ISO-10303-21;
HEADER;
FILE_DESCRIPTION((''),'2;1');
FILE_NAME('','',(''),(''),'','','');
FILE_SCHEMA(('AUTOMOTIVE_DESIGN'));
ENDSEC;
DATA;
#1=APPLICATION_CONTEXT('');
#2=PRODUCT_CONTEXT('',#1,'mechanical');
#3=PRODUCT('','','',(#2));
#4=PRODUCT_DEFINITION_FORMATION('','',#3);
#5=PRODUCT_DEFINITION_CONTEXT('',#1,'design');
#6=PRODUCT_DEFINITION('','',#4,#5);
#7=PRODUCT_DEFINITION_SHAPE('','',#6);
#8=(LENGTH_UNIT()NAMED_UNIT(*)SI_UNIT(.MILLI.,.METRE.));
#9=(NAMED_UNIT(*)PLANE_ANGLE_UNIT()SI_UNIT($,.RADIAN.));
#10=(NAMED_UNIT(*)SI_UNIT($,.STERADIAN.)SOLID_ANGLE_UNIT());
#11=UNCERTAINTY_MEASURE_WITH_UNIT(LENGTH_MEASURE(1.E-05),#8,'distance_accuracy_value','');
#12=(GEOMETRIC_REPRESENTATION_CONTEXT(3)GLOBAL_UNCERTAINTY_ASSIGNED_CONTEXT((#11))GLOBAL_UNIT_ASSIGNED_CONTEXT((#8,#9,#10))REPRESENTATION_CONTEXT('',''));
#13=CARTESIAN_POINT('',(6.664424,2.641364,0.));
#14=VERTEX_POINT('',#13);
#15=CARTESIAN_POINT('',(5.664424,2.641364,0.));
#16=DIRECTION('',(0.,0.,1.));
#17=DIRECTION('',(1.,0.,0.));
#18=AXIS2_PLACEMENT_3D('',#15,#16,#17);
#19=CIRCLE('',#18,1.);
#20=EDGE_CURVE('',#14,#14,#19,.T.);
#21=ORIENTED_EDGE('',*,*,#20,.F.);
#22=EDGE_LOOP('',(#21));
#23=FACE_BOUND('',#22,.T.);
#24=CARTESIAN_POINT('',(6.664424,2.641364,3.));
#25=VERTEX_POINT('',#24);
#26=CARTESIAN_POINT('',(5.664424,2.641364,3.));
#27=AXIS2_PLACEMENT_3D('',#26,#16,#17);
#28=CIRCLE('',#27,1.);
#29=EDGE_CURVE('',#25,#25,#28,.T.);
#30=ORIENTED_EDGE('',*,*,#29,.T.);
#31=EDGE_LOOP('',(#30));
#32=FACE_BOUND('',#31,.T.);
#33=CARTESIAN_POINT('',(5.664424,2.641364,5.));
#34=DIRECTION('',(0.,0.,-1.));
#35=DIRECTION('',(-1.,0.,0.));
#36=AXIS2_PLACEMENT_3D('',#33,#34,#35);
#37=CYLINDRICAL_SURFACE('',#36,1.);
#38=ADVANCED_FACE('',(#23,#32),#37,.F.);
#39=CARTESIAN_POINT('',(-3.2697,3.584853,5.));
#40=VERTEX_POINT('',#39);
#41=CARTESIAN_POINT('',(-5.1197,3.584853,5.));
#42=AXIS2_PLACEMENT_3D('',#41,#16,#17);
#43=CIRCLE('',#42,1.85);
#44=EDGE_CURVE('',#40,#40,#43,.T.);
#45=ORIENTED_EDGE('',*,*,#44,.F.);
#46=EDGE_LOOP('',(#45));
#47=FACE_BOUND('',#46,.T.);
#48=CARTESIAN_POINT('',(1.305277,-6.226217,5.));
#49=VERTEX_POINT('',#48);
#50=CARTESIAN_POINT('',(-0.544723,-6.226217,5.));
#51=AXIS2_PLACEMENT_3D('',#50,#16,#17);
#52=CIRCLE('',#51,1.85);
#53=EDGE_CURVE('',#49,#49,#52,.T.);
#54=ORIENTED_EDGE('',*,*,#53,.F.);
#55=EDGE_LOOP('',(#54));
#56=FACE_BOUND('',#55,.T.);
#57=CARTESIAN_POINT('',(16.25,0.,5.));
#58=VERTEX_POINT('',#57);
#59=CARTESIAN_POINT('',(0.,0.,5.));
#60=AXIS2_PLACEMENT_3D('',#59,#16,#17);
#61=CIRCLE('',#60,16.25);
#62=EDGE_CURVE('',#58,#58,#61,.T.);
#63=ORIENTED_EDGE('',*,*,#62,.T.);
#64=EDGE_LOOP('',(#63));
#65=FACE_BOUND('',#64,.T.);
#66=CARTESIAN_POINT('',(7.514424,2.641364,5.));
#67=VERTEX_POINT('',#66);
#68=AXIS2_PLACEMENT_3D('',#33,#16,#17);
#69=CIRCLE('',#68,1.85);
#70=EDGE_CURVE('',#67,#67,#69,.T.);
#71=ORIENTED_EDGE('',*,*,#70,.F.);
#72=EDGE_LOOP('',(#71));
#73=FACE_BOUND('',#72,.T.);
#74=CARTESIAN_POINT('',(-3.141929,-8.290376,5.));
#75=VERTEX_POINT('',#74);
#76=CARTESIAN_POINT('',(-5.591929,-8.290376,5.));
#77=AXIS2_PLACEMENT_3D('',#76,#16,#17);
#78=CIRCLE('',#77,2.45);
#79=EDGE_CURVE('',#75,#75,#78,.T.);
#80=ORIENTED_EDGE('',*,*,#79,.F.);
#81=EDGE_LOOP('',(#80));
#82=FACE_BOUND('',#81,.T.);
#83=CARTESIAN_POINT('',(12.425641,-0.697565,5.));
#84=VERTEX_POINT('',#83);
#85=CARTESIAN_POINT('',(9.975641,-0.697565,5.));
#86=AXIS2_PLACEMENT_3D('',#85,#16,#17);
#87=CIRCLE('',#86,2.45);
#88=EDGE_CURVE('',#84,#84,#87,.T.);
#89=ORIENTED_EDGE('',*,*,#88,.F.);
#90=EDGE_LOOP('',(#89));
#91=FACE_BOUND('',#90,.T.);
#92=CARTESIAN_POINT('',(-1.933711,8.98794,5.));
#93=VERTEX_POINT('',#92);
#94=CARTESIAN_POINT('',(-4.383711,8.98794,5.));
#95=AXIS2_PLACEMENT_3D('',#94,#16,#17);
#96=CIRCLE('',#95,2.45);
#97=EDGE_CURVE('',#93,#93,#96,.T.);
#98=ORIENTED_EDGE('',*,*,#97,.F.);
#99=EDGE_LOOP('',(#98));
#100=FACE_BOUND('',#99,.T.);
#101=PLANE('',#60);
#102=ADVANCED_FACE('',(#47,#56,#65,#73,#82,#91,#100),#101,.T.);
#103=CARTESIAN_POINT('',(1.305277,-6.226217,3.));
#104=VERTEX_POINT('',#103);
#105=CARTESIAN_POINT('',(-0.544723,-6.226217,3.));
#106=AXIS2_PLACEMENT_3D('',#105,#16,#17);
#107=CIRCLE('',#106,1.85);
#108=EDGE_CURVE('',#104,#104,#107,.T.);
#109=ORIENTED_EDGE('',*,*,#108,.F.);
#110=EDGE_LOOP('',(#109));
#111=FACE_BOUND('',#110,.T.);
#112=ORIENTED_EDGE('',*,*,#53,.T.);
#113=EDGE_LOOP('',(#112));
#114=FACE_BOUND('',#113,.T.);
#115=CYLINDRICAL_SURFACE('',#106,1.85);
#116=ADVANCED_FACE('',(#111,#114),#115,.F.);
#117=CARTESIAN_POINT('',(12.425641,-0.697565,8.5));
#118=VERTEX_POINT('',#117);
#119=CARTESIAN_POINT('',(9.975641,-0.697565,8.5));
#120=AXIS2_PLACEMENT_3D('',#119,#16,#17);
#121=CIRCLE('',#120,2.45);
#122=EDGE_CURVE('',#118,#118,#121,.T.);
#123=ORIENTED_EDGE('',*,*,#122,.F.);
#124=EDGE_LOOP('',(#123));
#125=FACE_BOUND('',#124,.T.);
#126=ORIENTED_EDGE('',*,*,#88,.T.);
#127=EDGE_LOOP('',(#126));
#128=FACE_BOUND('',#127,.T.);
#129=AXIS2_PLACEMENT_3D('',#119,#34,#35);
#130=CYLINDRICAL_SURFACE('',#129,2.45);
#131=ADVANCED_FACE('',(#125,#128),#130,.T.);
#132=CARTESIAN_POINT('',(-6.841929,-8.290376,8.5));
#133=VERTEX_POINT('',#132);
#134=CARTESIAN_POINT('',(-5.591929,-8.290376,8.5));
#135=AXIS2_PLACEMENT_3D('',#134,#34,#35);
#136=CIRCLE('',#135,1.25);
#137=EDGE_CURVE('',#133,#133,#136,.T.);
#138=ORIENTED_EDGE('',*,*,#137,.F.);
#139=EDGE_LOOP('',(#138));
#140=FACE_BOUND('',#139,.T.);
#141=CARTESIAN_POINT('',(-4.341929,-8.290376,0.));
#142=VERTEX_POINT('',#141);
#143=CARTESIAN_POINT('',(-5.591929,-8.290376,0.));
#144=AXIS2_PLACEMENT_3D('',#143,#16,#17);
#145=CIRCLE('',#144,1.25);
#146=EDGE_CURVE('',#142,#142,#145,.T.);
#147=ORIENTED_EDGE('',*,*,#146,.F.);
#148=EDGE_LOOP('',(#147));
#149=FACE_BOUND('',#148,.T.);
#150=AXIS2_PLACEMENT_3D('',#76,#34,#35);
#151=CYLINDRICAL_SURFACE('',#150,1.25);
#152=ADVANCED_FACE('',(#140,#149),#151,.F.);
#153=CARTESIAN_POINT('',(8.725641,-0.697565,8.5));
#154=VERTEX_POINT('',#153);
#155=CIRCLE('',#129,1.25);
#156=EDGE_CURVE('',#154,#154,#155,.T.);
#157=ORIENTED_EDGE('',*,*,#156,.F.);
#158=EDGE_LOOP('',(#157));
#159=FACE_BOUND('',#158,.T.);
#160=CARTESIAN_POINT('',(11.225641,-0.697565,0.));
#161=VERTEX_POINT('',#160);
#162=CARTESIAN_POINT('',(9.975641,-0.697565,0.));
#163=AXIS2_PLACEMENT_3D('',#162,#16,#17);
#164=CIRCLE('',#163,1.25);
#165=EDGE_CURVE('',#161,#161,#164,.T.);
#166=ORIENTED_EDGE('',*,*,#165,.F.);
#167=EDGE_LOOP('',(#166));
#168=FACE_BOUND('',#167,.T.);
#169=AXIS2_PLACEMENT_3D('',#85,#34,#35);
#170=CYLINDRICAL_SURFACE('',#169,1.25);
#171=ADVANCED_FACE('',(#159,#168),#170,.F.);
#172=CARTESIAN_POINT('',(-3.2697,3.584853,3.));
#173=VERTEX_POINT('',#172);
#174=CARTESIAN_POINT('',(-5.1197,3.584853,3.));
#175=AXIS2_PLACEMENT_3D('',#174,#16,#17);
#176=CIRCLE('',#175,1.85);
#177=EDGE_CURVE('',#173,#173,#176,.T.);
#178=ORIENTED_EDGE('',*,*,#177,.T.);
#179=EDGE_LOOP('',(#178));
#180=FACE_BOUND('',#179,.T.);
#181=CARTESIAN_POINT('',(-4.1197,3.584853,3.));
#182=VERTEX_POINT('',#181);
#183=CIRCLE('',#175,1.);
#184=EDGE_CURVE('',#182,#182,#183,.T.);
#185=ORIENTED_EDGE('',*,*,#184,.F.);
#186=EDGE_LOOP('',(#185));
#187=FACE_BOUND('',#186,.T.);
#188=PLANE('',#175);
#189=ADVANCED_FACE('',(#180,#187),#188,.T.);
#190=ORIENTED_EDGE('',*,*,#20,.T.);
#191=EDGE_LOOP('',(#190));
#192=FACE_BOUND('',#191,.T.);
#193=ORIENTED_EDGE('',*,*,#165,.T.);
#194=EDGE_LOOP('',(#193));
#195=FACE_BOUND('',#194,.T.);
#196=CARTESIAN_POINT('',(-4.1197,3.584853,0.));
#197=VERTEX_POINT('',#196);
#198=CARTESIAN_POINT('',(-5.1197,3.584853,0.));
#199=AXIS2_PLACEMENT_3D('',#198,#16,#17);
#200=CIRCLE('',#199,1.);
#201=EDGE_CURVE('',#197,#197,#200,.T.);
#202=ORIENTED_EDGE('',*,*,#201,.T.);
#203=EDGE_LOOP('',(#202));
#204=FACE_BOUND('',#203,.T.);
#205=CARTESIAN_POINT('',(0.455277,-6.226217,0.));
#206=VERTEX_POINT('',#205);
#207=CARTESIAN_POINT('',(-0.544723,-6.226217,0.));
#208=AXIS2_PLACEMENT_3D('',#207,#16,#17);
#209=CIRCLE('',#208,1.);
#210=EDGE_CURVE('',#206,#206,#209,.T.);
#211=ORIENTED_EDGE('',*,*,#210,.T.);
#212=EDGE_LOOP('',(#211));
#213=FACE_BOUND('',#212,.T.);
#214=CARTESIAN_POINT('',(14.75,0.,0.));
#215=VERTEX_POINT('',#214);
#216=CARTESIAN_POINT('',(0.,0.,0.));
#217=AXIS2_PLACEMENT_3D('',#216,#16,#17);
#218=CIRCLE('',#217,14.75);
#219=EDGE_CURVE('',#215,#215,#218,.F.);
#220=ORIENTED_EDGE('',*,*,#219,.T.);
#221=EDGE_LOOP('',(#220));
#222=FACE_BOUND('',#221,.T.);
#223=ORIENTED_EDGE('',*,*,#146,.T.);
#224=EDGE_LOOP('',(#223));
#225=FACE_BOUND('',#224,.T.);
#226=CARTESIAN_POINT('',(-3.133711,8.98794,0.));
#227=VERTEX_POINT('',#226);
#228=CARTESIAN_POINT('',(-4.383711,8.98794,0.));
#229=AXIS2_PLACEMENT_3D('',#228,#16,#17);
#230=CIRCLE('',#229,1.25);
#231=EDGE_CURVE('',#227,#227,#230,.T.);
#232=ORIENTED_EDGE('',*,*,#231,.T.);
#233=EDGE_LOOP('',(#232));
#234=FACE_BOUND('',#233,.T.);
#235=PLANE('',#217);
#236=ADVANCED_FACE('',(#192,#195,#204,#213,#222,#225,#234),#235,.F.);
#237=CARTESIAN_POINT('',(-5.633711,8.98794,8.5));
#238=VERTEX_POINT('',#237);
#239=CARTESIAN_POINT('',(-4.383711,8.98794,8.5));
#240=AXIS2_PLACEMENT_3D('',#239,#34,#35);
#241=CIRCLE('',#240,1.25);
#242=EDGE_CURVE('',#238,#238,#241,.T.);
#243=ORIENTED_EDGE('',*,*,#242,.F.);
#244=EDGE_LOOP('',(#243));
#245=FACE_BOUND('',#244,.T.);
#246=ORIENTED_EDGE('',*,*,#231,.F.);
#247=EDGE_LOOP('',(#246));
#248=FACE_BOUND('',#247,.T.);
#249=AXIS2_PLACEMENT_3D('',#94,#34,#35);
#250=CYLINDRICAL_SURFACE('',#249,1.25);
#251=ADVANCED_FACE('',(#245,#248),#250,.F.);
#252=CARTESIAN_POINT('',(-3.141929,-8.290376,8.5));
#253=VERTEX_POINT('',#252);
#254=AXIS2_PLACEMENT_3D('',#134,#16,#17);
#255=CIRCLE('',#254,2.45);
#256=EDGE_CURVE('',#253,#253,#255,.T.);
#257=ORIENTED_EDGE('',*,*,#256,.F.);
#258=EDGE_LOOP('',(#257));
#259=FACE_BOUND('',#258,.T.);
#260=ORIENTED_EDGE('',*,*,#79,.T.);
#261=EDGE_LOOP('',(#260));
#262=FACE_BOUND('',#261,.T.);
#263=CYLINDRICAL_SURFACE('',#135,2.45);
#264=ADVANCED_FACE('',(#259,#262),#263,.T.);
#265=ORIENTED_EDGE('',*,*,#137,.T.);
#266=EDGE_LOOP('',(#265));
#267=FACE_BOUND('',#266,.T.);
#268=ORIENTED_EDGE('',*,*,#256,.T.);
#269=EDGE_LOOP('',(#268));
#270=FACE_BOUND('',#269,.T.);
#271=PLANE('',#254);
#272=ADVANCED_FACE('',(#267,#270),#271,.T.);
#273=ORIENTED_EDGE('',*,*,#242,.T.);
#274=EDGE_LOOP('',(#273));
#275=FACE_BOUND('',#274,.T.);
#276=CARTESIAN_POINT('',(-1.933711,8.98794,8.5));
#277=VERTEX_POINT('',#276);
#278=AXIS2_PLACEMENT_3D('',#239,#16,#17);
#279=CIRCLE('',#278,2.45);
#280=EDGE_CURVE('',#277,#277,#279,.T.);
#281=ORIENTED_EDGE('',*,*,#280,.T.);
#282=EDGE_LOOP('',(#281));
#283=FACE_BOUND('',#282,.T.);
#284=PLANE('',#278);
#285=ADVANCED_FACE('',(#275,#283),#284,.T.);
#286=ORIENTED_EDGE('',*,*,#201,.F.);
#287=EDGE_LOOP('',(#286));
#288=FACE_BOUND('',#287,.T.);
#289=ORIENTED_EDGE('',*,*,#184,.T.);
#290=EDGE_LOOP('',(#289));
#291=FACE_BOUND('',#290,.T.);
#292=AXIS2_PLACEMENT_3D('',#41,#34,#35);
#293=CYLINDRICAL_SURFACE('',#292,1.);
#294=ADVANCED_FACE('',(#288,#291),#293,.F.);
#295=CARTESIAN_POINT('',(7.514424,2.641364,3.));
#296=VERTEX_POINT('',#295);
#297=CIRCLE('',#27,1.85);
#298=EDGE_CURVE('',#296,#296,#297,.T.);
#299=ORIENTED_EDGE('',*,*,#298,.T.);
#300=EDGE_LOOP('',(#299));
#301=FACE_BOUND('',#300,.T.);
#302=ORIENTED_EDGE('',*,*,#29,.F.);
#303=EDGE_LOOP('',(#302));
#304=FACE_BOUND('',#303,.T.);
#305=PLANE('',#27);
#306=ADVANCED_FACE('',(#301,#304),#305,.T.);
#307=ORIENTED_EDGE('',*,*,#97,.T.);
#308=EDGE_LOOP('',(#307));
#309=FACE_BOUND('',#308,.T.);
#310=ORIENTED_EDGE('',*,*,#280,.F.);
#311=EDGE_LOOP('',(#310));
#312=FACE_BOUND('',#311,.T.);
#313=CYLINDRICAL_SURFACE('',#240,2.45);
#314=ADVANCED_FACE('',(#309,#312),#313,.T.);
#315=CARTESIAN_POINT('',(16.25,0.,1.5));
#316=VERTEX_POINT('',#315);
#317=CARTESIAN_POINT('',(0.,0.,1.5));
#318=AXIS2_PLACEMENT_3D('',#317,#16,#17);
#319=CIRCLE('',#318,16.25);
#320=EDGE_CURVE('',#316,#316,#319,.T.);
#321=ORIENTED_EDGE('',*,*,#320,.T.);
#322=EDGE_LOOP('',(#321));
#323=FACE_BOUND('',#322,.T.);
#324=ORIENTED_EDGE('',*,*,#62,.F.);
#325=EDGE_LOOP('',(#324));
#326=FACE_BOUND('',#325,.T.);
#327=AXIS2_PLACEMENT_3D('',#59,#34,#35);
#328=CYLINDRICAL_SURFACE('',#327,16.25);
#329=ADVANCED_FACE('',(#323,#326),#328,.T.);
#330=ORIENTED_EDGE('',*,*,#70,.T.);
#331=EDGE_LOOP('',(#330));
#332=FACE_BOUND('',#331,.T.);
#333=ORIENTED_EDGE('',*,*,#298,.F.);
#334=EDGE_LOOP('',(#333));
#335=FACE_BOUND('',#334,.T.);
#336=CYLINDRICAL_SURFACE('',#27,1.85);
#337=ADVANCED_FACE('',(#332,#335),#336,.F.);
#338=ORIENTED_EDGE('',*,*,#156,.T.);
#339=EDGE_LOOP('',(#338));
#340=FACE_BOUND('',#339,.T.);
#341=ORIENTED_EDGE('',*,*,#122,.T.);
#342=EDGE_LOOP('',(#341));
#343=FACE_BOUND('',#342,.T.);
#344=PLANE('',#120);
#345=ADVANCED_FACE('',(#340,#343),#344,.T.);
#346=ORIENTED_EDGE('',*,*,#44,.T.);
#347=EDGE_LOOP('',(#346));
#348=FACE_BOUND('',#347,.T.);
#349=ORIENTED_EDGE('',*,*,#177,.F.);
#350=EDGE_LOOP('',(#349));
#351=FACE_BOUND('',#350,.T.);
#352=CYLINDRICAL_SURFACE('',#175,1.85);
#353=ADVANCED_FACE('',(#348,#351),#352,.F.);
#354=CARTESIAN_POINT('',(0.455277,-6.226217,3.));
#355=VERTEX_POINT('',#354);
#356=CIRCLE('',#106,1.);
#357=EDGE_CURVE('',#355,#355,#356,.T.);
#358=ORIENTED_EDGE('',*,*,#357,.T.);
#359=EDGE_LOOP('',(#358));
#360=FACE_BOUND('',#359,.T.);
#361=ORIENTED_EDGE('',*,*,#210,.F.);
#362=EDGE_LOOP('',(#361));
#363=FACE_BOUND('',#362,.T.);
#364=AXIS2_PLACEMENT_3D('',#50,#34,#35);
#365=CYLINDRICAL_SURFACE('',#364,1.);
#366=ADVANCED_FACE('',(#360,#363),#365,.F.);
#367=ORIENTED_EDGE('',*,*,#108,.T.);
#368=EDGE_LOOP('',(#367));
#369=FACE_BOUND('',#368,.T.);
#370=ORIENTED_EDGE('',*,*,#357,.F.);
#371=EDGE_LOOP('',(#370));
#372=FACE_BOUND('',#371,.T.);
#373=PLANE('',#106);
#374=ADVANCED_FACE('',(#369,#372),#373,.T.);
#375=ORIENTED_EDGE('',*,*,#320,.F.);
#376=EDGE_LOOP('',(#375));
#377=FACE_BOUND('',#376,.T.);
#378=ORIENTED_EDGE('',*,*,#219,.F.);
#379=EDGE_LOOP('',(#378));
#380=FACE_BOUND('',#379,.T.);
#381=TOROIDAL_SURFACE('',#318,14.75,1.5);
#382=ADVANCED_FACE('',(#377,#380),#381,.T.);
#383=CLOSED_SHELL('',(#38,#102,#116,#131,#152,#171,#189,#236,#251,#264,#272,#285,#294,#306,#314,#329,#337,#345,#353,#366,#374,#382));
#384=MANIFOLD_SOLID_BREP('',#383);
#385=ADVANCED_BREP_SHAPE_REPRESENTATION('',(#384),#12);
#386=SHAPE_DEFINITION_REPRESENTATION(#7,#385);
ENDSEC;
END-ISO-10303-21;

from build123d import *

# Parameters (mm, degrees)
SKETCH1_R               = 16.25
SKETCH1_R_2             = 1
SKETCH1_R_3             = 1.25
BOSS_EXTRUDE1_DEPTH     = 5
FILLET1_R               = 1.5
SKETCH2_R               = 2.45
BOSS_EXTRUDE2_DEPTH     = 3.5
SKETCH4_R               = 1.25
CUT_EXTRUDE1_DEPTH      = 1
CUT_EXTRUDE1_DEPTH_BACK = 9.5
SKETCH5_R               = 1.85
CUT_EXTRUDE2_DEPTH      = 2


with BuildPart() as part:
    # Sketch1 → Boss-Extrude1 (new body)
    with BuildSketch(Plane.XY):
        Circle(SKETCH1_R)
        with Locations((-0.544723392, -6.226216863)):
            Circle(SKETCH1_R_2, mode=Mode.SUBTRACT)
        with Locations((-5.119700277, 3.584852727)):
            Circle(SKETCH1_R_2, mode=Mode.SUBTRACT)
        with Locations((5.664423669, 2.641364136)):
            Circle(SKETCH1_R_2, mode=Mode.SUBTRACT)
        with Locations((-5.591929035, -8.290375726)):
            Circle(SKETCH1_R_3, mode=Mode.SUBTRACT)
        with Locations((-4.383711468, 8.987940463)):
            Circle(SKETCH1_R_3, mode=Mode.SUBTRACT)
        with Locations((9.975640503, -0.697564737)):
            Circle(SKETCH1_R_3, mode=Mode.SUBTRACT)
    extrude(amount=BOSS_EXTRUDE1_DEPTH)

    # Fillet1
    fillet1_edges = [part.edges().sort_by_distance(p)[0] for p in [
        (-16.25, 0, 0),
    ]]
    fillet(fillet1_edges, radius=FILLET1_R)

    # Sketch2 → Boss-Extrude2 (add)
    with BuildSketch(Plane.XY.offset(5)):
        with Locations((-5.591929035, -8.290375726)):
            Circle(SKETCH2_R)
        with Locations((-4.383711468, 8.987940463)):
            Circle(SKETCH2_R)
        with Locations((9.975640503, -0.697564737)):
            Circle(SKETCH2_R)
    extrude(amount=BOSS_EXTRUDE2_DEPTH)

    # Sketch4 → Cut-Extrude1 (cut, two sides)
    with BuildSketch(Plane(origin=(0, 0, 0), x_dir=(-1, 0, 0), z_dir=(0, 0, -1))) as cut_extrude1_sk:
        with Locations((4.383711468, 8.987940463)):
            Circle(SKETCH4_R)
        with Locations((-9.975640503, -0.697564737)):
            Circle(SKETCH4_R)
        with Locations((5.591929035, -8.290375726)):
            Circle(SKETCH4_R)
    extrude(amount=CUT_EXTRUDE1_DEPTH, mode=Mode.SUBTRACT)
    extrude(cut_extrude1_sk.sketch, amount=-CUT_EXTRUDE1_DEPTH_BACK, mode=Mode.SUBTRACT)

    # Sketch5 → Cut-Extrude2 (cut)
    with BuildSketch(Plane.XY.offset(5)):
        with Locations((5.664423669, 2.641364136)):
            Circle(SKETCH5_R)
        with Locations((-5.119700277, 3.584852727)):
            Circle(SKETCH5_R)
        with Locations((-0.544723392, -6.226216863)):
            Circle(SKETCH5_R)
    extrude(amount=-CUT_EXTRUDE2_DEPTH, mode=Mode.SUBTRACT)


solid = part.part
